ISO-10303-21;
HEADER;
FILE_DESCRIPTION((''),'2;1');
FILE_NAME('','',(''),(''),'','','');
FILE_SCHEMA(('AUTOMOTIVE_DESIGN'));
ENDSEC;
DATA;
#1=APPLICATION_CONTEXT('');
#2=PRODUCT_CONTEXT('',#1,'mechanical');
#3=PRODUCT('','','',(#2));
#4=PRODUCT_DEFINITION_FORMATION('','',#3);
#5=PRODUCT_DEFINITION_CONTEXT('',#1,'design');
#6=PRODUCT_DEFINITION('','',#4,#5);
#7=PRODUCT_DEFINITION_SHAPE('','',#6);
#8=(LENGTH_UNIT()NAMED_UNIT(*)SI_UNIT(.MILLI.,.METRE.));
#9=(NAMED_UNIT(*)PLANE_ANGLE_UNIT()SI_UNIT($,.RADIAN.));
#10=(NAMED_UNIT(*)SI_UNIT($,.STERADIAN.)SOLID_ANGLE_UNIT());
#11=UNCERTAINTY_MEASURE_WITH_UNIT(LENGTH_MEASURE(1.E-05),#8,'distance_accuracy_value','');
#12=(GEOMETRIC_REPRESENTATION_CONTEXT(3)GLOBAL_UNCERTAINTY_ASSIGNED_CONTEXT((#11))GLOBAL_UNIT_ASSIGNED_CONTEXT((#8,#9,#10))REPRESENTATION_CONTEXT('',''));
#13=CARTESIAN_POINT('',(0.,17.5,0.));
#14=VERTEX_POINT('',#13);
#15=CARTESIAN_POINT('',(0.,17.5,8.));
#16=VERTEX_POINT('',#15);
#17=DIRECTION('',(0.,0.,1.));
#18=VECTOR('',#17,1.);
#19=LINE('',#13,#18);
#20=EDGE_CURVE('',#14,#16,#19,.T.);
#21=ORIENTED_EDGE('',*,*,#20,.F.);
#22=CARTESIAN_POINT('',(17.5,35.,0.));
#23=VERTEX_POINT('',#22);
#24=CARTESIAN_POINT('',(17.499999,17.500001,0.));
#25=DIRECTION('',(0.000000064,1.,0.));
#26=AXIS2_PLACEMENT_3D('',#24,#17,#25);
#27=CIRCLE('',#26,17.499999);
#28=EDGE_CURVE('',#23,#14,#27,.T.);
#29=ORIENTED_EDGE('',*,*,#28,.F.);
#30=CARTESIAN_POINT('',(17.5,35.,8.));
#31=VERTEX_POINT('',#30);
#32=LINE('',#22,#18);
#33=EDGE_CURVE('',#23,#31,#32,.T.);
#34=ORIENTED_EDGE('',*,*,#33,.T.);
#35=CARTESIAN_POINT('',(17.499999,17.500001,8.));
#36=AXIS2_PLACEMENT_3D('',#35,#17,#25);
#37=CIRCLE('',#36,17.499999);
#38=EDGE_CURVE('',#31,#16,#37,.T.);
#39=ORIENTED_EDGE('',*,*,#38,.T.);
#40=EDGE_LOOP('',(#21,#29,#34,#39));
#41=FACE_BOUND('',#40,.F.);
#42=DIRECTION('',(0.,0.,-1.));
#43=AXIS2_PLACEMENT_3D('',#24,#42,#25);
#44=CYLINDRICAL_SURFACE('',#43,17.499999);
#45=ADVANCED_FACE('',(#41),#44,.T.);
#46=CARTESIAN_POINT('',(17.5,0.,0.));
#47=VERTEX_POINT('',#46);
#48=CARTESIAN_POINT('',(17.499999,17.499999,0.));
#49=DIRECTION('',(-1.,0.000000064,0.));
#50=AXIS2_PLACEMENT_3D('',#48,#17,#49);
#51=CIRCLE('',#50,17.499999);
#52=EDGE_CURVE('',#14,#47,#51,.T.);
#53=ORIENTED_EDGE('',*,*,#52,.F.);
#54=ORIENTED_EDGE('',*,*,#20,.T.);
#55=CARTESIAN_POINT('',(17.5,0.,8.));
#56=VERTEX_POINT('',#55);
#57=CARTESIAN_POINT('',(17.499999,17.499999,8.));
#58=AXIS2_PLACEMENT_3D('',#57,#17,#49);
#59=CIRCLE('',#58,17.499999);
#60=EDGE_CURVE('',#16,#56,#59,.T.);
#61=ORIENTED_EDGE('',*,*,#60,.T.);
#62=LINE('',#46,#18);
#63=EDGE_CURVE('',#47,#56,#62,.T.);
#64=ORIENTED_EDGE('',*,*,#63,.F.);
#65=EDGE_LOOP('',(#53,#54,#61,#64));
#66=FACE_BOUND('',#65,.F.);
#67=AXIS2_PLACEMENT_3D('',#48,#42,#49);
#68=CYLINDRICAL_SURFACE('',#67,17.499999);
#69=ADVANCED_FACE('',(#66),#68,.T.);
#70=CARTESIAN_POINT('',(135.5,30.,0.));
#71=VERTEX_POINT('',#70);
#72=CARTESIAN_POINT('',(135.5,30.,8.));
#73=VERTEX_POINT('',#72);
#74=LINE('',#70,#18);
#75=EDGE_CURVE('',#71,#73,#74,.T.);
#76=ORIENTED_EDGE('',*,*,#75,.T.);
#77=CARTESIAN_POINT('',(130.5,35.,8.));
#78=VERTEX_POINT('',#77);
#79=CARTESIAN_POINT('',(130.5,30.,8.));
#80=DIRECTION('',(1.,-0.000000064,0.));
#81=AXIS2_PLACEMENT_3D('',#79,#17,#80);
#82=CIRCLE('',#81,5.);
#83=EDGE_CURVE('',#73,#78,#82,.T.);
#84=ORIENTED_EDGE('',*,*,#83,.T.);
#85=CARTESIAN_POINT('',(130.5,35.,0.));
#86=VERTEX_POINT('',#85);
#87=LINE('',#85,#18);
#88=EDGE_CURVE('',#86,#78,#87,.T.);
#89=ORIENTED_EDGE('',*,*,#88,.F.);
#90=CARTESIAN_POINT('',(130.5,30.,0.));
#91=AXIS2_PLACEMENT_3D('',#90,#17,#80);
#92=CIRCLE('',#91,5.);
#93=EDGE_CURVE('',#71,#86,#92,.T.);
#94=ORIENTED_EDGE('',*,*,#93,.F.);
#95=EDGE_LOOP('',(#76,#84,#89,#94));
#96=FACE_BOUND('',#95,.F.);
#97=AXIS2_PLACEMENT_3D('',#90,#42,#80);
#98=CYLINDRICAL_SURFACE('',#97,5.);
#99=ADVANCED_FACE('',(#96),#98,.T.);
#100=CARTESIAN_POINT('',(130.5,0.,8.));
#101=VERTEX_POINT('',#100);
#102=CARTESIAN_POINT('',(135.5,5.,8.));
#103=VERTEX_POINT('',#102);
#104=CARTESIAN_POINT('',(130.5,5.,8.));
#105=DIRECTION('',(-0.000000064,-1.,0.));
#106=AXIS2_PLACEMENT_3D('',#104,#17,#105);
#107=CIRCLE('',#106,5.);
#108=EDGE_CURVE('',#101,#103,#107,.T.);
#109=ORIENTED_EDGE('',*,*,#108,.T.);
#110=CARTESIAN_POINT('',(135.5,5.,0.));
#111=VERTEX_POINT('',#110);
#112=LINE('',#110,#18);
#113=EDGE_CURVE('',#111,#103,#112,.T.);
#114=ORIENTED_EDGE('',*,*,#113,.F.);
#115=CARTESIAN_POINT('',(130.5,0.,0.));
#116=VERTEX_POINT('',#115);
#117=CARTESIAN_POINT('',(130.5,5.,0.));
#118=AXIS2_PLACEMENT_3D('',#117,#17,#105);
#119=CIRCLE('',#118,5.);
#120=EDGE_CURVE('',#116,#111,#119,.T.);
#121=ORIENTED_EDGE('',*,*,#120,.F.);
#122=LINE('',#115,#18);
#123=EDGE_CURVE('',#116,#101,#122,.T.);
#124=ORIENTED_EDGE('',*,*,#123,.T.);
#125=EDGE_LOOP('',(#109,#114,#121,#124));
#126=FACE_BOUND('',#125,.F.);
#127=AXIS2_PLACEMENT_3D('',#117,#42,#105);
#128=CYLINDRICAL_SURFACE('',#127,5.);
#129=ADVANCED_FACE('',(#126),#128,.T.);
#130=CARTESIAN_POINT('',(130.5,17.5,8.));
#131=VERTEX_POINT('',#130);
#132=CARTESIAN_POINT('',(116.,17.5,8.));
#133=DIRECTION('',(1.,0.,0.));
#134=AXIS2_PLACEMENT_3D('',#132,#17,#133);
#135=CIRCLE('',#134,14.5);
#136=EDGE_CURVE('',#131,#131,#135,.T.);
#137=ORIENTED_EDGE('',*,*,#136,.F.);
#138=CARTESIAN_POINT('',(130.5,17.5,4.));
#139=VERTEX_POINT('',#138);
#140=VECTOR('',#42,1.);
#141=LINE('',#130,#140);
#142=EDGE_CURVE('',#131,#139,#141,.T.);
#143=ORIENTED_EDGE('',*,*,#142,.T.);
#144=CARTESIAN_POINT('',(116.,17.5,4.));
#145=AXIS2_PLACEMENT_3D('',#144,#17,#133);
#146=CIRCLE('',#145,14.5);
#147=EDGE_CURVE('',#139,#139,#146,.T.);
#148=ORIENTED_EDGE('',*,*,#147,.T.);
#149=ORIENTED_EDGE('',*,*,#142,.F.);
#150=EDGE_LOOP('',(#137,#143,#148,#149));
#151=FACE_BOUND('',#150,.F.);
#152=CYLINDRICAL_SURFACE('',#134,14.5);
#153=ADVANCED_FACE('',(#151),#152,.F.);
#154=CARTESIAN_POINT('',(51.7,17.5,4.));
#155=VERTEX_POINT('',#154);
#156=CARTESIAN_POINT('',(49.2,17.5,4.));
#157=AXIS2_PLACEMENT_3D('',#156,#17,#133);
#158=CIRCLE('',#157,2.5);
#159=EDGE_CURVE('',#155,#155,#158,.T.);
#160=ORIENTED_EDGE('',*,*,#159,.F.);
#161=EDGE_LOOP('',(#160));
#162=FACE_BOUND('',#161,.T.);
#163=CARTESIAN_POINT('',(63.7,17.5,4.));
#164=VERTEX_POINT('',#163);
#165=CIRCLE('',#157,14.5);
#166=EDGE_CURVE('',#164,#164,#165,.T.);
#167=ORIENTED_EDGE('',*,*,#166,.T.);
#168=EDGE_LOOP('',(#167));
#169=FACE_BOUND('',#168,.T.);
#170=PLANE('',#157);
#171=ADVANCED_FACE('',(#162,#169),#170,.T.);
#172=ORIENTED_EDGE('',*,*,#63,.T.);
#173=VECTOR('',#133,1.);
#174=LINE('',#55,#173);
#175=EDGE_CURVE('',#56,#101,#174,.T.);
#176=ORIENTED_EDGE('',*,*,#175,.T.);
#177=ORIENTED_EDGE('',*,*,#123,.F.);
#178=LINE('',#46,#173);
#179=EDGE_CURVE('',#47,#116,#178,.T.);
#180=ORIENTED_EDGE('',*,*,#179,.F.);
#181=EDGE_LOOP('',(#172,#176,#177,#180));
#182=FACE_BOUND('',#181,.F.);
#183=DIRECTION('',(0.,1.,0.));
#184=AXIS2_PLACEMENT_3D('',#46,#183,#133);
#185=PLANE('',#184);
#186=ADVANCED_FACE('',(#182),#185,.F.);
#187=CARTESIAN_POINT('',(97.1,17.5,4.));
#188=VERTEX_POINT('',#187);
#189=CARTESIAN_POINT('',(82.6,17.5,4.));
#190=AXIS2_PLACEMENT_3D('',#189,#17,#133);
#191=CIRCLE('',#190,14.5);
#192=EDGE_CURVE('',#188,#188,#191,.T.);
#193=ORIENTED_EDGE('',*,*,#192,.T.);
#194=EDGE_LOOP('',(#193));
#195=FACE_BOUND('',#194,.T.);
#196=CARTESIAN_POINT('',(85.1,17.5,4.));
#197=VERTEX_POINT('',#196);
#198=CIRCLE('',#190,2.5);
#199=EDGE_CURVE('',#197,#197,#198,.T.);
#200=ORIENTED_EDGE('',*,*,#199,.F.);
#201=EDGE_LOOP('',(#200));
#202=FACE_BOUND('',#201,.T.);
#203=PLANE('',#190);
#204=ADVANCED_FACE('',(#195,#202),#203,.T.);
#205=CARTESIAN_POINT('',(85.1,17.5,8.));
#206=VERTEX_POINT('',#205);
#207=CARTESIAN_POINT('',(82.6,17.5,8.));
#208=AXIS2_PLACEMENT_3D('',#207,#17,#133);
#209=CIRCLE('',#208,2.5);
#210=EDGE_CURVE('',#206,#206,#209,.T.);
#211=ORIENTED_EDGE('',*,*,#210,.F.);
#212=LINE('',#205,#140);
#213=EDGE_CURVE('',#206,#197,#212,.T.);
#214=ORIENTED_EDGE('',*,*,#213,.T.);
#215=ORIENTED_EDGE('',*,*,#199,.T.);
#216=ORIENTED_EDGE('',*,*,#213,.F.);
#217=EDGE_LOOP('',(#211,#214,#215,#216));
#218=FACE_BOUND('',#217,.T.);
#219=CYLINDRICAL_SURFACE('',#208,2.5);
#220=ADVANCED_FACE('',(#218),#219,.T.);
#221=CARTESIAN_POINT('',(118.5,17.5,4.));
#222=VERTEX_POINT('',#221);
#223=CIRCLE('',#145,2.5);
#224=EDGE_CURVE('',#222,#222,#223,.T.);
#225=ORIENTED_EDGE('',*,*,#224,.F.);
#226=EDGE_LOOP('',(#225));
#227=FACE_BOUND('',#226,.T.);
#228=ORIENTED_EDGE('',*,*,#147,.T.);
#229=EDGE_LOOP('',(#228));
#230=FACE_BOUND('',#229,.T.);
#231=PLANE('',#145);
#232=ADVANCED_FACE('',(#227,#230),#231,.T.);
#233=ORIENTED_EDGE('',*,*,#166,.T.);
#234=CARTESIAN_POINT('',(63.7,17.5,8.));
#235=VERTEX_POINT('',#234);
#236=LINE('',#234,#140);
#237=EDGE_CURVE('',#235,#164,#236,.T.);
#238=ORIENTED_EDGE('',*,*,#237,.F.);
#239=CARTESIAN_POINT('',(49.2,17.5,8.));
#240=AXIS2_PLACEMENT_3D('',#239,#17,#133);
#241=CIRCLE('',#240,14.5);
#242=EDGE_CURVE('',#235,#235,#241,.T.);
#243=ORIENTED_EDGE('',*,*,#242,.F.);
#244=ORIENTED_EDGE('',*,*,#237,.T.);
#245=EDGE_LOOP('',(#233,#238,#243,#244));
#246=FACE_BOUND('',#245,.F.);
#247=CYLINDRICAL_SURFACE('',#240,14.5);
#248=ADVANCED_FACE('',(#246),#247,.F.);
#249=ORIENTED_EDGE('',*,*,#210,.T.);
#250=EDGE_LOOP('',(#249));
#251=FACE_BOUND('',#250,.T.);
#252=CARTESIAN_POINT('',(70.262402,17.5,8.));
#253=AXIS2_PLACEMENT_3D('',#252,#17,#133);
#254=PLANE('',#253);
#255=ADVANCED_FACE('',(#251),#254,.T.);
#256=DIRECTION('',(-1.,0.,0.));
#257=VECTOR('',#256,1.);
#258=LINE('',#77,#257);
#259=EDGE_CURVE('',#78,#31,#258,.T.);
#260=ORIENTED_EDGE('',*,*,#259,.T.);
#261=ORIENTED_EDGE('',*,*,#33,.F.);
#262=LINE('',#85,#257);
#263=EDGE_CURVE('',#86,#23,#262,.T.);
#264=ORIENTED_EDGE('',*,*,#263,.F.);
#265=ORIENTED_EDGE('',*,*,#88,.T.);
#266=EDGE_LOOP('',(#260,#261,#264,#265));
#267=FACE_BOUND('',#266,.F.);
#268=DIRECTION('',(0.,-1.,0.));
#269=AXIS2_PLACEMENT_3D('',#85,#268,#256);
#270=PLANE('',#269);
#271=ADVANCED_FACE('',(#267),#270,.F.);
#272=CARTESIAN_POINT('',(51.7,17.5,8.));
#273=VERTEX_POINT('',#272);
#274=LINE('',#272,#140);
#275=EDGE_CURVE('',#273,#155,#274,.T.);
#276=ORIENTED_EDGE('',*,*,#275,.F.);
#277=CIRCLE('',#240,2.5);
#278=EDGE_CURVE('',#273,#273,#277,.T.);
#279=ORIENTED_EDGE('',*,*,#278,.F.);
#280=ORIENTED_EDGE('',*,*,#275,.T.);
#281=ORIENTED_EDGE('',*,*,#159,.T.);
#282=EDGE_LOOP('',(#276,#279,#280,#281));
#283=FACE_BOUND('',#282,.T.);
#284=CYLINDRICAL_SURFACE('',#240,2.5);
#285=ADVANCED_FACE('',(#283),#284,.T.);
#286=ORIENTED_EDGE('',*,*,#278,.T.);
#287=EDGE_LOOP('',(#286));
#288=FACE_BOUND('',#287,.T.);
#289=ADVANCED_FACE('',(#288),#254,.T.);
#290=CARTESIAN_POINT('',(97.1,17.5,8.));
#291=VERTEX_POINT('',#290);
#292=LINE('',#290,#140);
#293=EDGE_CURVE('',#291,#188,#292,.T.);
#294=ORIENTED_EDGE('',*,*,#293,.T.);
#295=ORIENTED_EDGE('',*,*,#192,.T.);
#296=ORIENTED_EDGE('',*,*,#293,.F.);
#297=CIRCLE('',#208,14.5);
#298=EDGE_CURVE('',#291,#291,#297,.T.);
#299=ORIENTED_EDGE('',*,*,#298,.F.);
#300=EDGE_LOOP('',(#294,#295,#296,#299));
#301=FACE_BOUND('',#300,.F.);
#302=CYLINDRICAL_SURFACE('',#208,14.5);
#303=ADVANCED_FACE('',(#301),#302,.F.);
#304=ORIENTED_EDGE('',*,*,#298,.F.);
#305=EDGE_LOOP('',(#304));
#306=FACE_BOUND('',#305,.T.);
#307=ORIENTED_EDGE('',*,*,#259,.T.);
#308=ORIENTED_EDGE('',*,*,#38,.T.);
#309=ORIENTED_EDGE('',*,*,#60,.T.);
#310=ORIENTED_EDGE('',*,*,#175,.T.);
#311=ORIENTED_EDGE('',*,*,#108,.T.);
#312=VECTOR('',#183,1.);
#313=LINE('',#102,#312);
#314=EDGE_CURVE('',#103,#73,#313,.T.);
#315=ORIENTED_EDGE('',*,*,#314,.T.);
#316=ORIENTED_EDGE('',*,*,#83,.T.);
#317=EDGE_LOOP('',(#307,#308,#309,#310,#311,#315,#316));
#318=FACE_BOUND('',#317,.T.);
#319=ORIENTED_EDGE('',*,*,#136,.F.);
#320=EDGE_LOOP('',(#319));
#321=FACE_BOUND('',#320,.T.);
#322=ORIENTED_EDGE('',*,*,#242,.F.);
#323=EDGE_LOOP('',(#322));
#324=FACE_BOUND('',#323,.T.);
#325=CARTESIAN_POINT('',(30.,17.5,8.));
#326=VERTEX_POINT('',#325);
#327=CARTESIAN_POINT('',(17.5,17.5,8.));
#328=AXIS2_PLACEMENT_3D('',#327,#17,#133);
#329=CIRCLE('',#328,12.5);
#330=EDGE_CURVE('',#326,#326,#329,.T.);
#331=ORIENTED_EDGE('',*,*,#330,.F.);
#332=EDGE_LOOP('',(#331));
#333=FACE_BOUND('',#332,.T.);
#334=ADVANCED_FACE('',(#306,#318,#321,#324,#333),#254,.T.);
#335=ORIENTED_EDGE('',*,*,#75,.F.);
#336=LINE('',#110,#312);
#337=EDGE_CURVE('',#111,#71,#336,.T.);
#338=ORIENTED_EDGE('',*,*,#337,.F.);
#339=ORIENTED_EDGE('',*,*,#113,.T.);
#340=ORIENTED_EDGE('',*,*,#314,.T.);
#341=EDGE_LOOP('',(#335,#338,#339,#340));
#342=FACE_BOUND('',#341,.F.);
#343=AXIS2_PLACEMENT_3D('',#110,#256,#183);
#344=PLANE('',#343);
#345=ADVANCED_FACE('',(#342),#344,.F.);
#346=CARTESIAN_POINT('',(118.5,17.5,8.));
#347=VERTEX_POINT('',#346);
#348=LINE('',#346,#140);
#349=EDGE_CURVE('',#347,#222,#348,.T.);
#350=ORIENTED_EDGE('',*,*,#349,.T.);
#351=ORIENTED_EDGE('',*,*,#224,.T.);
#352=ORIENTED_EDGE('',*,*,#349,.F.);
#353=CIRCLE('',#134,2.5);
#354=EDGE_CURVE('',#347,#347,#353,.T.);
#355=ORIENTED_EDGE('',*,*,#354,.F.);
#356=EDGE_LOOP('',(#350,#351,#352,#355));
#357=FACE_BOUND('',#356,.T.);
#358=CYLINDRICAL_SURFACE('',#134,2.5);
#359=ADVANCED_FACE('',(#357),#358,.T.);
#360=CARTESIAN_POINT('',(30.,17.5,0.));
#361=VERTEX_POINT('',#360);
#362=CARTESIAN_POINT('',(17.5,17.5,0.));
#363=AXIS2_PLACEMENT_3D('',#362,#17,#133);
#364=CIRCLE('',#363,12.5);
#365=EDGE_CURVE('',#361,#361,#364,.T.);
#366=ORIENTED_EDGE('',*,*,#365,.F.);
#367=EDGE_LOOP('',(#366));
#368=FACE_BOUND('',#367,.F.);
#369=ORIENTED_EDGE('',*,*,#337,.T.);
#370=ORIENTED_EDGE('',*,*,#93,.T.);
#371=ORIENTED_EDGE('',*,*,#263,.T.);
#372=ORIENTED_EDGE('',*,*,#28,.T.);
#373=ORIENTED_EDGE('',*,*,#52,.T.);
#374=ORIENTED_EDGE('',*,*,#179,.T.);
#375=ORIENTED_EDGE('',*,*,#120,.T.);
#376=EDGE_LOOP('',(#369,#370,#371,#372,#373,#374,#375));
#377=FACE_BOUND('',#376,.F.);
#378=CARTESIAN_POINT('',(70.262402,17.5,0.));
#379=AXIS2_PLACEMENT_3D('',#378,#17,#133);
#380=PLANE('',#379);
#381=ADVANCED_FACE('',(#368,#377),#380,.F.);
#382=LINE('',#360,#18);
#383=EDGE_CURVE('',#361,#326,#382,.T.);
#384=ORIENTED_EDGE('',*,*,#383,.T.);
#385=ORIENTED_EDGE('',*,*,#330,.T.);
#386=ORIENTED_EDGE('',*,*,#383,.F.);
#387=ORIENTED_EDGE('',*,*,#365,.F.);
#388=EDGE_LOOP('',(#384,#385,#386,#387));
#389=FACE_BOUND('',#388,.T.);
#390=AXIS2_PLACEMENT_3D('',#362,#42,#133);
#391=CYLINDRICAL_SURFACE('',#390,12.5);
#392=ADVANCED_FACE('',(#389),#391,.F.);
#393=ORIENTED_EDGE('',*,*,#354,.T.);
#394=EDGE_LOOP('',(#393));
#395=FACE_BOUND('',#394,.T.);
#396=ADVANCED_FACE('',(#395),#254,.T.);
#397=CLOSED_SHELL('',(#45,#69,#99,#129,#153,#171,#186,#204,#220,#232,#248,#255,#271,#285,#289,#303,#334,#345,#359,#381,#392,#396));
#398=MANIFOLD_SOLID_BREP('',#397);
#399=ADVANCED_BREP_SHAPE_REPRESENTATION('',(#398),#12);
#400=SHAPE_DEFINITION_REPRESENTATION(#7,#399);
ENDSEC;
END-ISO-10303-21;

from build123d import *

# Parameters (mm, degrees)
F0_R     = 12.5
F1_DEPTH = 8
F2_R     = 14.5
F2_R_2   = 2.5
F3_DEPTH = 4


with BuildPart() as f1:
    # F0 (on Top) → F1 (new body)
    with BuildSketch(Plane.XY):
        with BuildLine():
            ThreePointArc((0, 17.5), (5.125631, 5.125631), (17.5, 0))
            Line((17.5, 0), (130.5, 0))
            ThreePointArc((130.5, 0), (134.035534, 1.464466), (135.5, 5))
            Line((135.5, 5), (135.5, 30))
            ThreePointArc((135.5, 30), (134.035534, 33.535534), (130.5, 35))
            Line((130.5, 35), (17.5, 35))
            ThreePointArc((17.5, 35), (5.125631, 29.874369), (0, 17.5))
        make_face()
        with Locations((17.5, 17.5)):
            Circle(F0_R, mode=Mode.SUBTRACT)
    extrude(amount=F1_DEPTH)

    # F2 (on face) → F3 (cut)
    with BuildSketch(Plane.XY.offset(8)):
        with Locations((49.2, 17.5)):
            Circle(F2_R)
        with Locations((49.2, 17.5)):
            Circle(F2_R_2, mode=Mode.SUBTRACT)
        with Locations((82.6, 17.5)):
            Circle(F2_R)
        with Locations((82.6, 17.5)):
            Circle(F2_R_2, mode=Mode.SUBTRACT)
        with Locations((116, 17.5)):
            Circle(F2_R)
        with Locations((116, 17.5)):
            Circle(F2_R_2, mode=Mode.SUBTRACT)
    extrude(amount=-F3_DEPTH, mode=Mode.SUBTRACT)


solid = f1.part
